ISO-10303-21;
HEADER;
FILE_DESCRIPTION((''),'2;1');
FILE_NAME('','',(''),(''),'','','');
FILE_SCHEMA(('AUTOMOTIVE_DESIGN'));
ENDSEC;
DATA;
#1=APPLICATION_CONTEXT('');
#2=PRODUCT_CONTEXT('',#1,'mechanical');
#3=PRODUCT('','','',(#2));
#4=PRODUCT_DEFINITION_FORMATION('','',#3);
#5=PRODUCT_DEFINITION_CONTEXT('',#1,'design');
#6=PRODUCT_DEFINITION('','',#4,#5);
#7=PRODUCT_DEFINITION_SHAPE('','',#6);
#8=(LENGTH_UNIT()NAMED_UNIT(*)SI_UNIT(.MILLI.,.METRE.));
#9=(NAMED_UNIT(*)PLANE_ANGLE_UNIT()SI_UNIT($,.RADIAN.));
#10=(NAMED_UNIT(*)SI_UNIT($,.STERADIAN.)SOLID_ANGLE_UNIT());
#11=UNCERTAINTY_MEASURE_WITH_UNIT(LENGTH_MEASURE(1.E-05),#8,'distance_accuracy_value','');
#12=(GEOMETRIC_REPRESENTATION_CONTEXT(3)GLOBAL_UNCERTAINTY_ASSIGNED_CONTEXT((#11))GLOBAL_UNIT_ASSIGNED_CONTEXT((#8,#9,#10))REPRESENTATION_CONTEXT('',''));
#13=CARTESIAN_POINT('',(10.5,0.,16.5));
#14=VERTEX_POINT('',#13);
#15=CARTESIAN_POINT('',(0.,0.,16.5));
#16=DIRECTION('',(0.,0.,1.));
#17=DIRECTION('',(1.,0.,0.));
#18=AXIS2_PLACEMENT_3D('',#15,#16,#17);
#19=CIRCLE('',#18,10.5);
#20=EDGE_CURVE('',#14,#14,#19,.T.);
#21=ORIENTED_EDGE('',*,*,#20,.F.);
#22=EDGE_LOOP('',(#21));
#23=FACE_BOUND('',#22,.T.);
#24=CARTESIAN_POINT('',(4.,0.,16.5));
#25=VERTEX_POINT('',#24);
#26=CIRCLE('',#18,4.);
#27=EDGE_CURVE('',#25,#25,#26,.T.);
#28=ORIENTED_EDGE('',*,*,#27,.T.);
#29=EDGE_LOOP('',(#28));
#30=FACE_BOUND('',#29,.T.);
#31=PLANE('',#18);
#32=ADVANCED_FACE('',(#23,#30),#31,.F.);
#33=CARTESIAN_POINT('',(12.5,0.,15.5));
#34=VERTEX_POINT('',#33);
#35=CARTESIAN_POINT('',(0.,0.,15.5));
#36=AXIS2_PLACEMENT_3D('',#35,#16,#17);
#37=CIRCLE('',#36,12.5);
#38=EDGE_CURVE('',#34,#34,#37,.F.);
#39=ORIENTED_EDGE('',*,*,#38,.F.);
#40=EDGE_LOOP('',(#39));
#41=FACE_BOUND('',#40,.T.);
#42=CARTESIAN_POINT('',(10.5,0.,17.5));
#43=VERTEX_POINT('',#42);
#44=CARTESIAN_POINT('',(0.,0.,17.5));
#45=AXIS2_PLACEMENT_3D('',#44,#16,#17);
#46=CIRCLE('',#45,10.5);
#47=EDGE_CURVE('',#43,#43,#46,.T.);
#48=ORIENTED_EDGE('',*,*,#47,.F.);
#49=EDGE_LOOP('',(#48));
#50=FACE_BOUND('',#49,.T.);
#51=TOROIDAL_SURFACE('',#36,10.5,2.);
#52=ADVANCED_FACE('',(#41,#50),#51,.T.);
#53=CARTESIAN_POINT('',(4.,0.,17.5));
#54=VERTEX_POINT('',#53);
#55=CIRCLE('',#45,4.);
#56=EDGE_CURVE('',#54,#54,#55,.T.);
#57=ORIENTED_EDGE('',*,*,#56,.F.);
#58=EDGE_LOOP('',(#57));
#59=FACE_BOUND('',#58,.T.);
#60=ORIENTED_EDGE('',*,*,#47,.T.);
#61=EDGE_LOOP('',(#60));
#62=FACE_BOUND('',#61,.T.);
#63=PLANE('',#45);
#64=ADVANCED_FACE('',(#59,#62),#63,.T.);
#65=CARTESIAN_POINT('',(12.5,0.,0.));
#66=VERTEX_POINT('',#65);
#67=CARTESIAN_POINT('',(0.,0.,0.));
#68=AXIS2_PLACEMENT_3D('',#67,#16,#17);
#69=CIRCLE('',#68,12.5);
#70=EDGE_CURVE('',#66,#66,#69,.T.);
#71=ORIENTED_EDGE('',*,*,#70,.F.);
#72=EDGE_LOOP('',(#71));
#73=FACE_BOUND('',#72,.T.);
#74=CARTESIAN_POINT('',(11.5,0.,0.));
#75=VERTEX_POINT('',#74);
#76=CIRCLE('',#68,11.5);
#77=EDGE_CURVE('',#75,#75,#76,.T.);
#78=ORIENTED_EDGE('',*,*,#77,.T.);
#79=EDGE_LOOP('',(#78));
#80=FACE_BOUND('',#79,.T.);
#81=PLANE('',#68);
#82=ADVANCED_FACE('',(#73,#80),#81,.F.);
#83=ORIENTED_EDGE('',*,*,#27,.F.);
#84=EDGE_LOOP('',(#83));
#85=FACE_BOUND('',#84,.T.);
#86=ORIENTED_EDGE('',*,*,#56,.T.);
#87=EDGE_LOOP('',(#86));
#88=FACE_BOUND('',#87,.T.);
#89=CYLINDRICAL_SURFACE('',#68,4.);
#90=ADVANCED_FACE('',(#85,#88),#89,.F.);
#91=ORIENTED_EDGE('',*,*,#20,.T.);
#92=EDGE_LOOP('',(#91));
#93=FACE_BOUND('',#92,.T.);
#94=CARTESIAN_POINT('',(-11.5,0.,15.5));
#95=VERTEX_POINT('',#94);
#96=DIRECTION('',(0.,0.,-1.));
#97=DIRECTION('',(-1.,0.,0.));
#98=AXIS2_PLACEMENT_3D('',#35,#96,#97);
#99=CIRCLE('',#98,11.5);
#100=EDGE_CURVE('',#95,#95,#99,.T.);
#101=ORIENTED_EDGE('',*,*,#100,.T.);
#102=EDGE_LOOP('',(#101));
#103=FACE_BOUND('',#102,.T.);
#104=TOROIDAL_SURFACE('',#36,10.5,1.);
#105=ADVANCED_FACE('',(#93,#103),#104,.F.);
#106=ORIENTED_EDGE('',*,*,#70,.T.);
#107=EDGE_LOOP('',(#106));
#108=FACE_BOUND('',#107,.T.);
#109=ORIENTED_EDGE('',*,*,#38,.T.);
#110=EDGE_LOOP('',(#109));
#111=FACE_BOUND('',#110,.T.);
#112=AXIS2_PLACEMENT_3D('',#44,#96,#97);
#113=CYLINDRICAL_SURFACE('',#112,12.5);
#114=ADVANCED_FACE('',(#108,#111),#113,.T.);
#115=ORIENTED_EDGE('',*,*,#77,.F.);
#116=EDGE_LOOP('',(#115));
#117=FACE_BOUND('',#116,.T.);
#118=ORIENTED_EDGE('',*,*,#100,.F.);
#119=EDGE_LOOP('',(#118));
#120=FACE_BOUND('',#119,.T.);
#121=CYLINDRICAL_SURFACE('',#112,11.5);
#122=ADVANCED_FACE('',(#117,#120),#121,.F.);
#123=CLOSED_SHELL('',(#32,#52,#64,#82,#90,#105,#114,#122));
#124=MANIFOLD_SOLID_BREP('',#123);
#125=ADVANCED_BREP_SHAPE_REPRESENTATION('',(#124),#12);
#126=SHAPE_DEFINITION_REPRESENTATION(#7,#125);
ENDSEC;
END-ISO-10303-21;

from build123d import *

# Parameters (mm, degrees)
SKETCH8_R      = 12.5
EXTRUDE6_DEPTH = 17.5
FILLET2_R      = 2
SHELL1_T       = -1
SKETCH9_R      = 4
EXTRUDE7_DEPTH = 25.874685978


with BuildPart() as part:
    # Sketch8 → Extrude6 (new body)
    with BuildSketch(Plane.XY):
        Circle(SKETCH8_R)
    extrude(amount=EXTRUDE6_DEPTH)

    # Fillet2
    fillet2_edges = [part.edges().sort_by_distance(p)[0] for p in [
        (-12.5, 0, 17.5),
    ]]
    fillet(fillet2_edges, radius=FILLET2_R)

    # Shell1
    shell1_openings = [part.faces().sort_by_distance(p)[0] for p in [
        (0, 0, 0),
    ]]
    offset(amount=SHELL1_T, openings=shell1_openings, kind=Kind.INTERSECTION)

    # Sketch9 → Extrude7 (cut, through all)
    with BuildSketch(Plane.XY.offset(17.5)):
        Circle(SKETCH9_R)
    extrude(amount=-EXTRUDE7_DEPTH, mode=Mode.SUBTRACT)


solid = part.part
